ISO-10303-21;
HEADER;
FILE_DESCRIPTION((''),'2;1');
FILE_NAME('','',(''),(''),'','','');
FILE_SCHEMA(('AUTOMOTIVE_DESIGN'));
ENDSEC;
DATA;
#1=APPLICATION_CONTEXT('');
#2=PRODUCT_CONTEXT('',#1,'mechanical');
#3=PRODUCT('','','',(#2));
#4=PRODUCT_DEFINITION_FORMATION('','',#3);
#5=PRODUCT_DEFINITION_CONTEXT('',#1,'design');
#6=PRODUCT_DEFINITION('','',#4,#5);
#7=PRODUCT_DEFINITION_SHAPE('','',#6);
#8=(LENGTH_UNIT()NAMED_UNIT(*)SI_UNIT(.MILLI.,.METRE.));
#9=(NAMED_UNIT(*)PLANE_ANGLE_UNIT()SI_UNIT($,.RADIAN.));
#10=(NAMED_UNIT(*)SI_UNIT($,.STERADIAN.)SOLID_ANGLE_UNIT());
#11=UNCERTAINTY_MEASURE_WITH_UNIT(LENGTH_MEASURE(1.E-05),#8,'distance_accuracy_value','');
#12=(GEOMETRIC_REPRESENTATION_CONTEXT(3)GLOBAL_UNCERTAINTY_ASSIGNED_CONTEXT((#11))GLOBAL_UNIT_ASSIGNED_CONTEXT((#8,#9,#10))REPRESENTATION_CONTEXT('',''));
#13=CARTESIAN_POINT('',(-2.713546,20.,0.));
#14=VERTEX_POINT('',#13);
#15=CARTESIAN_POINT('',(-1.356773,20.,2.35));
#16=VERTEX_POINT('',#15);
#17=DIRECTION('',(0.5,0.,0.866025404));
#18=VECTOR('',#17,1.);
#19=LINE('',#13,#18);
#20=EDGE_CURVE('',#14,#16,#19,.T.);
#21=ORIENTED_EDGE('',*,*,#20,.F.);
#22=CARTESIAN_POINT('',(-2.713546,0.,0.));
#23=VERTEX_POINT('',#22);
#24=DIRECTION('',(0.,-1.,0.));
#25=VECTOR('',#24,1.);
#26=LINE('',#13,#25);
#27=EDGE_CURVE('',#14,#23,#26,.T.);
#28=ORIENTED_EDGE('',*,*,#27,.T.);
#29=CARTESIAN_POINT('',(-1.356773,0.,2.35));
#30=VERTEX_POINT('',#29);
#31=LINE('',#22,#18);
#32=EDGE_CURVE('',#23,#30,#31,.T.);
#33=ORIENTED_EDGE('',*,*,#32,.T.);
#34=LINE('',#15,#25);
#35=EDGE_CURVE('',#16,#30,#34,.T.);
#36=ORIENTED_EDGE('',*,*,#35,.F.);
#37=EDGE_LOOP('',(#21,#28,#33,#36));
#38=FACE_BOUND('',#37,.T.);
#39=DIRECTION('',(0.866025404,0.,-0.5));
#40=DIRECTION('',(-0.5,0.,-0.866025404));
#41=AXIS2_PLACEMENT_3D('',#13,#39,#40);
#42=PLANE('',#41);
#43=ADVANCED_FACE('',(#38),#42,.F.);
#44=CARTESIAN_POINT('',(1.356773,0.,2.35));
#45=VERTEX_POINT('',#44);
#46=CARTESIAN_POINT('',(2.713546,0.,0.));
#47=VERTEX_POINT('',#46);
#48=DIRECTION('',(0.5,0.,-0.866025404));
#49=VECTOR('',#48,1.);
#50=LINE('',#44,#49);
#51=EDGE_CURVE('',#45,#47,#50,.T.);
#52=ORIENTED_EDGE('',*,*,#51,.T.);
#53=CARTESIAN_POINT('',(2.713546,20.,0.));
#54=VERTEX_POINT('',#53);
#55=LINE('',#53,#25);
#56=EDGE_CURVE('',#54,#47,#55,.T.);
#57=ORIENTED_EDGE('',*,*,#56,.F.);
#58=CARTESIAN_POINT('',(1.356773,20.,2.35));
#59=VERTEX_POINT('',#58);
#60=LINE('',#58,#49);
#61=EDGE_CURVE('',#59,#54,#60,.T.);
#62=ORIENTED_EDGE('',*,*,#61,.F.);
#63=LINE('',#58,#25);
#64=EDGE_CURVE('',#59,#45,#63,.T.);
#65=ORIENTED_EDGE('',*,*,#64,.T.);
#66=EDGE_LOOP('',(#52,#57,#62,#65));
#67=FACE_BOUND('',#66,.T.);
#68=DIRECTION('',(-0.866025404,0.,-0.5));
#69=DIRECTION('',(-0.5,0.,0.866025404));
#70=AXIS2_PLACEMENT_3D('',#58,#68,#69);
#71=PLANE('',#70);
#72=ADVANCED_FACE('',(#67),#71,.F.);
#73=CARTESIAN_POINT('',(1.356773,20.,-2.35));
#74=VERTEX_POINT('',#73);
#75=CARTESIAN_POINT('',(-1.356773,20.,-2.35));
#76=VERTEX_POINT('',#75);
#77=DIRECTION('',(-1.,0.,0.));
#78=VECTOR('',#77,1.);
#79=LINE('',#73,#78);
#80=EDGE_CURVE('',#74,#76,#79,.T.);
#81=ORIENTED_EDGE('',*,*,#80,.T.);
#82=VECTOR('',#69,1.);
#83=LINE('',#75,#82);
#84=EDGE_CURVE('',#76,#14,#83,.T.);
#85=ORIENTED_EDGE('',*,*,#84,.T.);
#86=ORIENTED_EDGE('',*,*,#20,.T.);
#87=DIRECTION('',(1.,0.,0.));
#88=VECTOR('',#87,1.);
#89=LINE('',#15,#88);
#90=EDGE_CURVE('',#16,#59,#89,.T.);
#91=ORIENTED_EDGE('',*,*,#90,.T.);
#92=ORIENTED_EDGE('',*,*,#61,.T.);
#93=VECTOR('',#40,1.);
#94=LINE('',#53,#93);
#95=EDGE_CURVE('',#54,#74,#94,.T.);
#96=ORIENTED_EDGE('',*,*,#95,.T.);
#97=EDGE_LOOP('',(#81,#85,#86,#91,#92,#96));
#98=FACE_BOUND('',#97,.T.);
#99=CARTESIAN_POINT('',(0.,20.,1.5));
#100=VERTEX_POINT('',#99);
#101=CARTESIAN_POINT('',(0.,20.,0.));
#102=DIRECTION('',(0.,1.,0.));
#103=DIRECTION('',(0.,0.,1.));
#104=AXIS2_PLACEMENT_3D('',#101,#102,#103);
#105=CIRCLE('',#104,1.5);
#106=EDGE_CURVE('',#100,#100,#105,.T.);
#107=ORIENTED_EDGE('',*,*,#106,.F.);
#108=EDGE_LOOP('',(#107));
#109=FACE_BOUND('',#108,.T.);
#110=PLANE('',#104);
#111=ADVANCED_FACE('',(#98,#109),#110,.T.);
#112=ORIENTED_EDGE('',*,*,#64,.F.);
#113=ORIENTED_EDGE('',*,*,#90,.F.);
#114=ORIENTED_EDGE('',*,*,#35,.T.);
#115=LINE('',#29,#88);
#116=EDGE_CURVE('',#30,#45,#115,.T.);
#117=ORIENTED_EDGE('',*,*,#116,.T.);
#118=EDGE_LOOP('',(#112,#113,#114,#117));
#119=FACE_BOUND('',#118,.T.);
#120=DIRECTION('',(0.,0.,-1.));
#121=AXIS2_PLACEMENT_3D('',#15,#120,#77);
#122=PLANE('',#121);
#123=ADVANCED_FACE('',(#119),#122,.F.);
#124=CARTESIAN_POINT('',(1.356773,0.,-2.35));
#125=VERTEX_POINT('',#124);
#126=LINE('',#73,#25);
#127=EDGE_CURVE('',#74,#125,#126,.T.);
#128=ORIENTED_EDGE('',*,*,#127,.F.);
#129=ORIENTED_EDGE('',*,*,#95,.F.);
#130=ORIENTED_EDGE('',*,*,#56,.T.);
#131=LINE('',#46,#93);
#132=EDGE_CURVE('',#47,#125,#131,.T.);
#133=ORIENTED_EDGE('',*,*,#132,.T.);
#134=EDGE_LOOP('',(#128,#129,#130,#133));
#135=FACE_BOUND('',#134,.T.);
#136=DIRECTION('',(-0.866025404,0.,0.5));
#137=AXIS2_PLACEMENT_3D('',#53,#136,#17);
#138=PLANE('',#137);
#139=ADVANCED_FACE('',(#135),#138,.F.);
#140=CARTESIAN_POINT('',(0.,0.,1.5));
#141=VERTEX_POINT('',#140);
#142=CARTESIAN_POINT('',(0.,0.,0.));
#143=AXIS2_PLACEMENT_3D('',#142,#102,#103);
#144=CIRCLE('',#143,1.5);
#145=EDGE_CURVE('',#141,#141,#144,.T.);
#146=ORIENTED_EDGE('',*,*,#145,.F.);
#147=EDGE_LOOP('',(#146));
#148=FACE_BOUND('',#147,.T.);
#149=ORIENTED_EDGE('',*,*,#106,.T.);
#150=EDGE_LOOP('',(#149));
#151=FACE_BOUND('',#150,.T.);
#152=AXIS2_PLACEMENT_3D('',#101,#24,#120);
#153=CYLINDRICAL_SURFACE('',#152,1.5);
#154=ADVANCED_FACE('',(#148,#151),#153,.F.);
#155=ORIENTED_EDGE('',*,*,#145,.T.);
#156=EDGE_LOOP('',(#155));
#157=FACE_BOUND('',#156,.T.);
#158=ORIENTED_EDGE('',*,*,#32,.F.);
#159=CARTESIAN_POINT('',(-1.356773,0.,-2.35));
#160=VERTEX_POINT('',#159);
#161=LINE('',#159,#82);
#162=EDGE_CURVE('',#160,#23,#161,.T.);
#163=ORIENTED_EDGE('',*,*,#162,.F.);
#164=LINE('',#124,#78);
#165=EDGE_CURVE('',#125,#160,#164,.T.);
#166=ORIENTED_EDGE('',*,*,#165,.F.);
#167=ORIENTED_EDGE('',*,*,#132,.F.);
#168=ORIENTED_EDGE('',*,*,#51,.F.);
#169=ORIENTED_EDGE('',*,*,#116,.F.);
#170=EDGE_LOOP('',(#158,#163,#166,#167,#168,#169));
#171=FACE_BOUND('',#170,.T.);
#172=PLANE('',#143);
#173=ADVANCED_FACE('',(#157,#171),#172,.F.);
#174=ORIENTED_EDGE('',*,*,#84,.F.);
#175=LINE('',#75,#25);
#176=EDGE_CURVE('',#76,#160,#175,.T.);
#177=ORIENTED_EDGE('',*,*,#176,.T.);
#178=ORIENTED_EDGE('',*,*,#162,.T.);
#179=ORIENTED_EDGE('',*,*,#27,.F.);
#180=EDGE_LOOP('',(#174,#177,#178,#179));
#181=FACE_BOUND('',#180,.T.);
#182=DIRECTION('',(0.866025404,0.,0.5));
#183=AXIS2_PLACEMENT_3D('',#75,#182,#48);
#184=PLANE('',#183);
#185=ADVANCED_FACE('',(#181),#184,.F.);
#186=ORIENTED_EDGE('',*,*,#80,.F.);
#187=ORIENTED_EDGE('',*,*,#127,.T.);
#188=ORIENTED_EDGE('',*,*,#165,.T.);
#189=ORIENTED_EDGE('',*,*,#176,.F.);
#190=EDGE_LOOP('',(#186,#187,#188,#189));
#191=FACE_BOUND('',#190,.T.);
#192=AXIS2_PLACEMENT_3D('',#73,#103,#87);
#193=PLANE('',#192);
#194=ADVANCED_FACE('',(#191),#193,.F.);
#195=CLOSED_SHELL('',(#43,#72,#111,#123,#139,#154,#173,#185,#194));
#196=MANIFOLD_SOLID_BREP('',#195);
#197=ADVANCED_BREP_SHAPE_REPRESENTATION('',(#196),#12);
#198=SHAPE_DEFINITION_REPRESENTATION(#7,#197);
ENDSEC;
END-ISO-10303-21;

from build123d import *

# Parameters (mm, degrees)
SKETCH2_R           = 1.5
BOSS_EXTRUDE1_DEPTH = 20


with BuildPart() as part:
    # Sketch2 → Boss-Extrude1 (new body)
    with BuildSketch(Plane(origin=(0, 0, 0), x_dir=(1, 0, 0), z_dir=(0, 1, 0))):
        Polygon((2.713546265, 0), (1.356773133, 2.35), (-1.356773133, 2.35), (-2.713546265, 0), (-1.356773133, -2.35), (1.356773133, -2.35), align=None)
        Circle(SKETCH2_R, mode=Mode.SUBTRACT)
    extrude(amount=BOSS_EXTRUDE1_DEPTH)


solid = part.part
